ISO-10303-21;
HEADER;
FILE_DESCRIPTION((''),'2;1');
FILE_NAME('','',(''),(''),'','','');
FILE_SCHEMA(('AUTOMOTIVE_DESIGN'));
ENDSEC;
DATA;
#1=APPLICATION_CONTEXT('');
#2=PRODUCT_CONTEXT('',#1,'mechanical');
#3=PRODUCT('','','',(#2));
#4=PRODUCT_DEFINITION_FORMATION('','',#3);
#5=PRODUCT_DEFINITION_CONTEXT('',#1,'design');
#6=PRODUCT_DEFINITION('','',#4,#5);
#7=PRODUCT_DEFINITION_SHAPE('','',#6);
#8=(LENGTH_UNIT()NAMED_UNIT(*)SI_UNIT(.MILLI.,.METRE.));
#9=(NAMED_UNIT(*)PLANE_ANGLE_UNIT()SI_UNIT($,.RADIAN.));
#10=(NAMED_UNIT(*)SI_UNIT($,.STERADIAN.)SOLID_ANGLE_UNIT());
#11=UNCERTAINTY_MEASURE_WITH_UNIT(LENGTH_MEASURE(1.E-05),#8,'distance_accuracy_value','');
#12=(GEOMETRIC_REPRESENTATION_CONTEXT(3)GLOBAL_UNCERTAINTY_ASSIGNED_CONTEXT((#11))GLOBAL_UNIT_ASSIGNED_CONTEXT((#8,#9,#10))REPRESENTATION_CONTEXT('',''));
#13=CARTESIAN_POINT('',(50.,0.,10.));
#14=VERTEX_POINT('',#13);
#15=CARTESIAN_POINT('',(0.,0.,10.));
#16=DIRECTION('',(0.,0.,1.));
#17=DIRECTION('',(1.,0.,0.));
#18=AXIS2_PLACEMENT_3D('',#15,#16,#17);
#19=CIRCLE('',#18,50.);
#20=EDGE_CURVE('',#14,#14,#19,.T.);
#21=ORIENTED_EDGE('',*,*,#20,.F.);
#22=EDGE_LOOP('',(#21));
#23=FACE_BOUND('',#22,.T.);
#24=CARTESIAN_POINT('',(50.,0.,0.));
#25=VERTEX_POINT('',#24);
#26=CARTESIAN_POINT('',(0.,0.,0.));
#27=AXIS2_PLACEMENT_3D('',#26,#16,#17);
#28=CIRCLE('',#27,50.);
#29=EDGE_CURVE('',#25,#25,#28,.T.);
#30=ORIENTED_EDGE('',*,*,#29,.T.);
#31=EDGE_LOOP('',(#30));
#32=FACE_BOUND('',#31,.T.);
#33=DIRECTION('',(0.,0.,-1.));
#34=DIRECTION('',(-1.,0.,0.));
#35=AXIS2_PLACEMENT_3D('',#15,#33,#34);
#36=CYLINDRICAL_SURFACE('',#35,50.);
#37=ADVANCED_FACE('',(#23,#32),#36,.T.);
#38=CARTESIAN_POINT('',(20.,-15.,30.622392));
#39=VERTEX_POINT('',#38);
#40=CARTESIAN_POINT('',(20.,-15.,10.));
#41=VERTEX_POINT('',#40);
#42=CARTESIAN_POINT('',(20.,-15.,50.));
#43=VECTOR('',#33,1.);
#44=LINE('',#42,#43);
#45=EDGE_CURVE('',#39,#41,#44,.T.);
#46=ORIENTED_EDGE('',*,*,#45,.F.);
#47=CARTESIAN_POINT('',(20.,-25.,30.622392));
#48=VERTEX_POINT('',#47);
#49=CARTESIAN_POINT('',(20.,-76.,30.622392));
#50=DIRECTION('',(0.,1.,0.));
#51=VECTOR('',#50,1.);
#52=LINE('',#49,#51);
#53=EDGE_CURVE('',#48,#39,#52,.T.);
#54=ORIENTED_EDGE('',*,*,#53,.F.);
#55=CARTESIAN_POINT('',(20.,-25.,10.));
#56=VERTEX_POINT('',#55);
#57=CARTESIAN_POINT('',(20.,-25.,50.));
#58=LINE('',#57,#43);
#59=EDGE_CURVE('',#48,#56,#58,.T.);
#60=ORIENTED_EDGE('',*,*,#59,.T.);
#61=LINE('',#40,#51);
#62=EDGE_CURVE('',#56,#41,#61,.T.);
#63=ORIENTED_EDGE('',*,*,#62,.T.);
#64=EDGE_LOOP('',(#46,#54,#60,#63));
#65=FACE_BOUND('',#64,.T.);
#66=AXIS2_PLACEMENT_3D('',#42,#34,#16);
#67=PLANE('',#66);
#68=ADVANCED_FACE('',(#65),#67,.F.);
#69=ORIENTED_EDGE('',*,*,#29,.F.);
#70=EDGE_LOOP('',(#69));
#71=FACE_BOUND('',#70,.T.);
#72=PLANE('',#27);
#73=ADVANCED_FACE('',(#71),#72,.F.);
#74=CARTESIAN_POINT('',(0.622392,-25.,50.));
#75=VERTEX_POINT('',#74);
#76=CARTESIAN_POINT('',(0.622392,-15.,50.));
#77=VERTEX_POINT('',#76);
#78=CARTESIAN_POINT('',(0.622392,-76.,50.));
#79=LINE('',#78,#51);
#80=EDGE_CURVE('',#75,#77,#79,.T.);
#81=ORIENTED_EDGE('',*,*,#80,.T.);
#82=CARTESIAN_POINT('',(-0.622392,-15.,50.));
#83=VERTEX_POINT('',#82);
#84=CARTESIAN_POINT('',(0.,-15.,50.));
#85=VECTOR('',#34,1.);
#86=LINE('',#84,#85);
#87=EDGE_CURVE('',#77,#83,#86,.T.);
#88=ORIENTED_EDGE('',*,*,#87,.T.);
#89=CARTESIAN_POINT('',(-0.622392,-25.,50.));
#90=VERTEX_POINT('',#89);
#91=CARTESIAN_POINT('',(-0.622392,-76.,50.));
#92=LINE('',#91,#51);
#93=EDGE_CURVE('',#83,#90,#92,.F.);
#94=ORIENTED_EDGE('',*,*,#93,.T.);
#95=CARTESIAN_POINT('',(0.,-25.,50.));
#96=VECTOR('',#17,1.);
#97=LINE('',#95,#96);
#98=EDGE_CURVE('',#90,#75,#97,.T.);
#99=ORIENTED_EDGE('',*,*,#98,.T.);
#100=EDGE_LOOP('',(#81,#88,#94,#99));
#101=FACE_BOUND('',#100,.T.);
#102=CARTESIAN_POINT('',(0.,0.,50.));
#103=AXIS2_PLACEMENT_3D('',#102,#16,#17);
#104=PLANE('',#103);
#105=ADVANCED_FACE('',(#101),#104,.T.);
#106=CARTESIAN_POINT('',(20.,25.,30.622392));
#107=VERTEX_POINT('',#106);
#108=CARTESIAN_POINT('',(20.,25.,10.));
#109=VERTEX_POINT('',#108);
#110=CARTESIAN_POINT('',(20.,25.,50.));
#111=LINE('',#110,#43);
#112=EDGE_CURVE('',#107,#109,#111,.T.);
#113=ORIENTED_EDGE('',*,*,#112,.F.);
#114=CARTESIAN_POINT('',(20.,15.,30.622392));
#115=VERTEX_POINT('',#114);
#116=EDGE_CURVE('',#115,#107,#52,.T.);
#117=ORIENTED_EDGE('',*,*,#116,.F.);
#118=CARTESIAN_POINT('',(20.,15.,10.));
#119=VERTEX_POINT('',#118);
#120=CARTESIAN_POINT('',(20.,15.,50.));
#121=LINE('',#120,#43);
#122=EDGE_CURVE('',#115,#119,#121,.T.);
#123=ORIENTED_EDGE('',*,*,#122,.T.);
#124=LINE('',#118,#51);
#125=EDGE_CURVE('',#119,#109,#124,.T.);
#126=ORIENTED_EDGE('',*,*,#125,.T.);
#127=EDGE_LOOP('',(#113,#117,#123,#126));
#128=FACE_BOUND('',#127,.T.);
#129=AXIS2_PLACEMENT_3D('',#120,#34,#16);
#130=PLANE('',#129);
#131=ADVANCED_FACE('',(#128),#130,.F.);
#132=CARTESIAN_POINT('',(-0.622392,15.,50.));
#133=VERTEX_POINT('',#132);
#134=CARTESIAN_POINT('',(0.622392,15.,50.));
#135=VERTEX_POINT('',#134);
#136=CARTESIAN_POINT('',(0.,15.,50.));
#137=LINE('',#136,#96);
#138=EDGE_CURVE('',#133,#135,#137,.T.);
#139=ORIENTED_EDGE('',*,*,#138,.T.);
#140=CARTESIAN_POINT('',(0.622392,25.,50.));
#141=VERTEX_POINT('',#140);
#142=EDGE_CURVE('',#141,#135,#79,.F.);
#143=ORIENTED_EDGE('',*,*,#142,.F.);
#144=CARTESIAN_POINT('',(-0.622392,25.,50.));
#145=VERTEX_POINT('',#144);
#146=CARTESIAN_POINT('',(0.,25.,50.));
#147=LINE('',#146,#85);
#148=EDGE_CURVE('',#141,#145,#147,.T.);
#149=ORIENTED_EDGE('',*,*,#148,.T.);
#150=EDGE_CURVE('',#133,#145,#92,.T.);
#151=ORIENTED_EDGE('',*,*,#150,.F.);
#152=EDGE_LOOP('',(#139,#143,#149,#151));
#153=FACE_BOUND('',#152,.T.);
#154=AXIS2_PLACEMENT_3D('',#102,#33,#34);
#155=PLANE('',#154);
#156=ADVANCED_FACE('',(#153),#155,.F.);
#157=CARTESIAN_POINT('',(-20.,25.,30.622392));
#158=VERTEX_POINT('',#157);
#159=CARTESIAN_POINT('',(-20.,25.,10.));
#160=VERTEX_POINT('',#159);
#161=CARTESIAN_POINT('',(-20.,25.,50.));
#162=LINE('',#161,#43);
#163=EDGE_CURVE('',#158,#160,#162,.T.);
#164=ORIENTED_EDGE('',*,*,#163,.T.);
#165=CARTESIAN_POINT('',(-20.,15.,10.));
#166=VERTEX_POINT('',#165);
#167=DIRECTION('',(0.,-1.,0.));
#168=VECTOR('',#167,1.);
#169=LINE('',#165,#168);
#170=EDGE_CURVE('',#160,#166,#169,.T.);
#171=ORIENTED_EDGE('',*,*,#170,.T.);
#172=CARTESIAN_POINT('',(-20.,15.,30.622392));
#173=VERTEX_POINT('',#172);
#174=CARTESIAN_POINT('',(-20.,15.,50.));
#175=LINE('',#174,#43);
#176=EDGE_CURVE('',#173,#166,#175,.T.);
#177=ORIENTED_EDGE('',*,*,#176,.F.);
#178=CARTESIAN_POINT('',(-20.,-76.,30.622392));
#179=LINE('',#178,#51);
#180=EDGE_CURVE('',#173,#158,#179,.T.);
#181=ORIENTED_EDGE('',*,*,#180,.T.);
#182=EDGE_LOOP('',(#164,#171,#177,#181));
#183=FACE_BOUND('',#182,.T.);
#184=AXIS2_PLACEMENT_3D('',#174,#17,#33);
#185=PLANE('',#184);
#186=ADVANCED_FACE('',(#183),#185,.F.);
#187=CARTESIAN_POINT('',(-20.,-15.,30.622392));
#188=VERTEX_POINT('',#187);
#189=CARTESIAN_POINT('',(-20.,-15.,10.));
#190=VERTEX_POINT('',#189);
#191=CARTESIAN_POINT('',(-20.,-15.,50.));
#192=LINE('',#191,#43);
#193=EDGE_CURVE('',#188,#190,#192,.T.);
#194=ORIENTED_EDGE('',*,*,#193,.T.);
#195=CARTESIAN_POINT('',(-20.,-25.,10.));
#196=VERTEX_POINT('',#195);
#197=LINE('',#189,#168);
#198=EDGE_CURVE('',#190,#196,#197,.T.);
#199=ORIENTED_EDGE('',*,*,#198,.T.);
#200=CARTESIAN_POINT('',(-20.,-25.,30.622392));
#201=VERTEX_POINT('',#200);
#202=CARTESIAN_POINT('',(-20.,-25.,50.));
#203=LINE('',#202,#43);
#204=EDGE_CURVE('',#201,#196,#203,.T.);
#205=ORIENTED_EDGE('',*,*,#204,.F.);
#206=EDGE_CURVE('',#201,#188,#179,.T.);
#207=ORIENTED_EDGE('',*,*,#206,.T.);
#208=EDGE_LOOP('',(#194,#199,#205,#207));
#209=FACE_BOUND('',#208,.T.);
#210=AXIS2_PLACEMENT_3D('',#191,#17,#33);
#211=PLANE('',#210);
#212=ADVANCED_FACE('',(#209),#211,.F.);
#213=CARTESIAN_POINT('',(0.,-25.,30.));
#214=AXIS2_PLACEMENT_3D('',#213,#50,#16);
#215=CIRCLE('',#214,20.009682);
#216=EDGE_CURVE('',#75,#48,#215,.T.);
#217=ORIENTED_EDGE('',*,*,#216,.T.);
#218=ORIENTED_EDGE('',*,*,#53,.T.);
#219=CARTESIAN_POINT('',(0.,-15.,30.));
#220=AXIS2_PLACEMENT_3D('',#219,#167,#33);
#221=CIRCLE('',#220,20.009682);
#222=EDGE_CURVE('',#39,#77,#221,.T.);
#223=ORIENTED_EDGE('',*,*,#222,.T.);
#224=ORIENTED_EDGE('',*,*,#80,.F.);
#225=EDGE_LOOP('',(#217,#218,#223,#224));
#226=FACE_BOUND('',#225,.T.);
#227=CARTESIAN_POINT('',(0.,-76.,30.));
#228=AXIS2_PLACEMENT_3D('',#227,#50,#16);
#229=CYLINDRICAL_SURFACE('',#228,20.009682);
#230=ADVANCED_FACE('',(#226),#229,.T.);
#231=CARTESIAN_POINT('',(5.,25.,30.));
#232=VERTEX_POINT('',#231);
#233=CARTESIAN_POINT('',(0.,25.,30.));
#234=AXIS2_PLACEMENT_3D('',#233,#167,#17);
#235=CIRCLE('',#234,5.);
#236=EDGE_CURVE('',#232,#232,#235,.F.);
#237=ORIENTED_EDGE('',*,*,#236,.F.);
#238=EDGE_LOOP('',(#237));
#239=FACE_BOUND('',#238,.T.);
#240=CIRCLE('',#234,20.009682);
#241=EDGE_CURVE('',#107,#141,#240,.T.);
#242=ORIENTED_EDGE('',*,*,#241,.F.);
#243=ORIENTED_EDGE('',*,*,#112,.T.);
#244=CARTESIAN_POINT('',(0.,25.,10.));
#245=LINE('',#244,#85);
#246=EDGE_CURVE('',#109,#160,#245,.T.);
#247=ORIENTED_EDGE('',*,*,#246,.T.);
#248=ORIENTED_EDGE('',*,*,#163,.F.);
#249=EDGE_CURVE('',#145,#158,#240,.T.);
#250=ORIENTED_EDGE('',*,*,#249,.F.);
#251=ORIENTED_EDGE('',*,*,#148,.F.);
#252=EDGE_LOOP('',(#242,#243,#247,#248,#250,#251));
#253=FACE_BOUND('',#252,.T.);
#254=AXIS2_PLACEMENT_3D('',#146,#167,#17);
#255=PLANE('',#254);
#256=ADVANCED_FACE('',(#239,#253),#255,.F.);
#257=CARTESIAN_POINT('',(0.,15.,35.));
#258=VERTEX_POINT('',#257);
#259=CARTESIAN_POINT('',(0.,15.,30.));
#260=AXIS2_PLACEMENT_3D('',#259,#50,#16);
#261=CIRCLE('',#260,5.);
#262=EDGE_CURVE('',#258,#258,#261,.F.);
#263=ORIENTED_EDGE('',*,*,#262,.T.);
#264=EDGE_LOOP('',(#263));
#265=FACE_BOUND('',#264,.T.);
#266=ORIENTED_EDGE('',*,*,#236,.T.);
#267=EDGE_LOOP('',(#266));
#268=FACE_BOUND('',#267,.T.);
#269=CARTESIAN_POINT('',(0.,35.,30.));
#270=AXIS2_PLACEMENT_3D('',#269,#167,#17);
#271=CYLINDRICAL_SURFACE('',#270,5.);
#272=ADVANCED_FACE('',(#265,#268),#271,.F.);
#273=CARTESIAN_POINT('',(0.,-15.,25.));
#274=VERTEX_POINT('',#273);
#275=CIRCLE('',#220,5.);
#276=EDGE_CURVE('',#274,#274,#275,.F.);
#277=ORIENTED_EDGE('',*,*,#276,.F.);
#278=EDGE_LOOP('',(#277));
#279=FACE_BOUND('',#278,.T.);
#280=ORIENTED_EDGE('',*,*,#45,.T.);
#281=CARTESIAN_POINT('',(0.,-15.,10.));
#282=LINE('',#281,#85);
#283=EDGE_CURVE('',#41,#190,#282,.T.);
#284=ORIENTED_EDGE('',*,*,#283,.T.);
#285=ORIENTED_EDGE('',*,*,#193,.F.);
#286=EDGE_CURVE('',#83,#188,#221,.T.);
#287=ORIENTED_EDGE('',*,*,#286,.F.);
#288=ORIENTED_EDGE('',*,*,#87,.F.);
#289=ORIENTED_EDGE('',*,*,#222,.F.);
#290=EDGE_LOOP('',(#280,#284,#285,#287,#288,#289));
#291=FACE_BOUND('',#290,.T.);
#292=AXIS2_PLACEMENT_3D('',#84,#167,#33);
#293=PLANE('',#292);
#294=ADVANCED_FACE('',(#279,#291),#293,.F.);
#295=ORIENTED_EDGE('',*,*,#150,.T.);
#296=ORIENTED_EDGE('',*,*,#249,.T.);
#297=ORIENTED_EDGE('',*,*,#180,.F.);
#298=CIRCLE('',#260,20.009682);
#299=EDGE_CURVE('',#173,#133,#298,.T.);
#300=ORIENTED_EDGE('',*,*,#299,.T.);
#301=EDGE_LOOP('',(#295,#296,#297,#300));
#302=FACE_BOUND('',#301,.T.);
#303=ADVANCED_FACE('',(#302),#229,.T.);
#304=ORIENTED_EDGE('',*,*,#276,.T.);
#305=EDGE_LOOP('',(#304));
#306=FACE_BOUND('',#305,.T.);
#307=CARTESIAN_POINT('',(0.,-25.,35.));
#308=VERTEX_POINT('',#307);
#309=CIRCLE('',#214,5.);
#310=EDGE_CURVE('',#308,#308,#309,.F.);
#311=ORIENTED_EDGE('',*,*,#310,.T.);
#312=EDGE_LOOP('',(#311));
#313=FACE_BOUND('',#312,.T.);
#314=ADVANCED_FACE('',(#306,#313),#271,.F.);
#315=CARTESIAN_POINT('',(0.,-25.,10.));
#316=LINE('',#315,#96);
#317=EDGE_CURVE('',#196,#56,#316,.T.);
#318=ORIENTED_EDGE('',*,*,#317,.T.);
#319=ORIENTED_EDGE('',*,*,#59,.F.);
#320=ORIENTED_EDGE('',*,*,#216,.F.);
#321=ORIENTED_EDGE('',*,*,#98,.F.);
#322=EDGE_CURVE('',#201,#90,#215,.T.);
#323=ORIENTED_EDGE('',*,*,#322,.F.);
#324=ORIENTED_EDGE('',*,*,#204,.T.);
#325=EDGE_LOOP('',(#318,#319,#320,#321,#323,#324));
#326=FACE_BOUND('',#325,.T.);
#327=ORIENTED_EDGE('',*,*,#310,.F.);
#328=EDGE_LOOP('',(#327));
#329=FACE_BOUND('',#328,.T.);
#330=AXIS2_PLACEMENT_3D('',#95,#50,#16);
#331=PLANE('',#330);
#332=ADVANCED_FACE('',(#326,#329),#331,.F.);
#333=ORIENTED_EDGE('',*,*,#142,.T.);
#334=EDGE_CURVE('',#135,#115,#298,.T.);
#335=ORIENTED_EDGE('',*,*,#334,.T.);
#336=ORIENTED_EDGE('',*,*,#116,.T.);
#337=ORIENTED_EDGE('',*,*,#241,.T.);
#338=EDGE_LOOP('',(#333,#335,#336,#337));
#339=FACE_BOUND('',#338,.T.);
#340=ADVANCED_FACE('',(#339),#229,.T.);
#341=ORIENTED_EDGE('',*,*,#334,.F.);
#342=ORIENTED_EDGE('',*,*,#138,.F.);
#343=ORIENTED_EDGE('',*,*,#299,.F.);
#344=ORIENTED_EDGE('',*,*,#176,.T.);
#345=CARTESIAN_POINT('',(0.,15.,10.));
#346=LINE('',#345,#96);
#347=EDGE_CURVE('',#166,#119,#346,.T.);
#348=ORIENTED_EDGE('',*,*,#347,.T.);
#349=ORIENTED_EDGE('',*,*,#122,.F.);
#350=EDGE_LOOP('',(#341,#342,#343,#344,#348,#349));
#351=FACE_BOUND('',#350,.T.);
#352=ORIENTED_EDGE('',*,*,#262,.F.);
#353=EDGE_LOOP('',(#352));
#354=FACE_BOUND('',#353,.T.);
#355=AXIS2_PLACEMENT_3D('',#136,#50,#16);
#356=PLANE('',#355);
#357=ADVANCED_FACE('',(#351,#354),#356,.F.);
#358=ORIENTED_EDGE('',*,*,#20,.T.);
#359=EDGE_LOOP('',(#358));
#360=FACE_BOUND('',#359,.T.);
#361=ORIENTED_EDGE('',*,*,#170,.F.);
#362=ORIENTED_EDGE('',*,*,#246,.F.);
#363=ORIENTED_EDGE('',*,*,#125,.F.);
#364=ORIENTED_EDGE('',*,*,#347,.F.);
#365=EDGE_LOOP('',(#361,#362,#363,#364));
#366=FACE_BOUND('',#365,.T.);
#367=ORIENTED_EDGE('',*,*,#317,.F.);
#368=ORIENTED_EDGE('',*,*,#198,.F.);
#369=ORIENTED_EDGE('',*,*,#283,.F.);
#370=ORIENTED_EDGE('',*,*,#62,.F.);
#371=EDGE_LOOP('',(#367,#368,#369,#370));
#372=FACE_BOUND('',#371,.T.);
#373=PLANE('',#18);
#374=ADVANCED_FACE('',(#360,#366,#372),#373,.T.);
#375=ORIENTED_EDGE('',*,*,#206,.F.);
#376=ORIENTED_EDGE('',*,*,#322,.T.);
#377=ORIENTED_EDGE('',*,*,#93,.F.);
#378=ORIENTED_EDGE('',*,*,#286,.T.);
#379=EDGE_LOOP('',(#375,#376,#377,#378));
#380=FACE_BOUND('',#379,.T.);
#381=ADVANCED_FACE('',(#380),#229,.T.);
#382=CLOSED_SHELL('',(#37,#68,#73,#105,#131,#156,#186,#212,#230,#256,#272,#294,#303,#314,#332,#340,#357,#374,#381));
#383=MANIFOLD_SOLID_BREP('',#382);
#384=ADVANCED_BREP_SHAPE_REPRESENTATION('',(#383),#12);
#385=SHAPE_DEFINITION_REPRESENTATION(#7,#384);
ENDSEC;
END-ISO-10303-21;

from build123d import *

# Parameters (mm, degrees)
SKETCH1_R               = 50
BOSS_EXTRUDE1_DEPTH     = 10
BOSS_EXTRUDE2_DEPTH     = 40
CUT_EXTRUDE1_DEPTH      = 10
CUT_EXTRUDE1_DEPTH_BACK = 51
SKETCH3_R               = 5
CUT_EXTRUDE2_DEPTH      = 51
CUT_EXTRUDE2_DEPTH_BACK = 51


with BuildPart() as part:
    # Sketch1 → Boss-Extrude1 (new body)
    with BuildSketch(Plane.XY):
        Circle(SKETCH1_R)
    extrude(amount=BOSS_EXTRUDE1_DEPTH)

    # Sketch2 → Boss-Extrude2 (add)
    with BuildSketch(Plane.XY.offset(10)):
        Polygon((0, 15), (20, 15), (20, 25), (0, 25), (-20, 25), (-20, 15), align=None)
        Polygon((0, -15), (20, -15), (20, -25), (0, -25), (-20, -25), (-20, -15), align=None)
    extrude(amount=BOSS_EXTRUDE2_DEPTH)

    # Sketch3 → Cut-Extrude1 (cut, two sides: drawn at the far end of the back side and taken through both)
    with BuildSketch(Plane(origin=(0, 25, 0), x_dir=(1, 0, 0), z_dir=(0, 1, 0)).offset(-CUT_EXTRUDE1_DEPTH_BACK)):
        with Locations((0, -30)):
            Circle(SKETCH3_R)
    extrude(amount=CUT_EXTRUDE1_DEPTH + CUT_EXTRUDE1_DEPTH_BACK, mode=Mode.SUBTRACT)

    # Sketch4 → Cut-Extrude2 (cut, two sides: drawn at the far end of the back side and taken through both)
    with BuildSketch(Plane.XZ.offset(25).offset(-CUT_EXTRUDE2_DEPTH_BACK)):
        with BuildLine():
            Line((-20, 30.622391971), (-26.002102492, 30.622391971))
            Line((-26.002102492, 30.622391971), (-24.526146123, 56.726211349))
            Line((-24.526146123, 56.726211349), (26.177296222, 55.337075942))
            Line((26.177296222, 55.337075942), (30.171060516, 28.596219363))
            Line((30.171060516, 28.596219363), (20, 29.377608029))
            ThreePointArc((20, 29.377608029), (0.622391971, 50), (-20, 30.622391971))
        make_face()
    extrude(amount=CUT_EXTRUDE2_DEPTH + CUT_EXTRUDE2_DEPTH_BACK, mode=Mode.SUBTRACT)


solid = part.part
